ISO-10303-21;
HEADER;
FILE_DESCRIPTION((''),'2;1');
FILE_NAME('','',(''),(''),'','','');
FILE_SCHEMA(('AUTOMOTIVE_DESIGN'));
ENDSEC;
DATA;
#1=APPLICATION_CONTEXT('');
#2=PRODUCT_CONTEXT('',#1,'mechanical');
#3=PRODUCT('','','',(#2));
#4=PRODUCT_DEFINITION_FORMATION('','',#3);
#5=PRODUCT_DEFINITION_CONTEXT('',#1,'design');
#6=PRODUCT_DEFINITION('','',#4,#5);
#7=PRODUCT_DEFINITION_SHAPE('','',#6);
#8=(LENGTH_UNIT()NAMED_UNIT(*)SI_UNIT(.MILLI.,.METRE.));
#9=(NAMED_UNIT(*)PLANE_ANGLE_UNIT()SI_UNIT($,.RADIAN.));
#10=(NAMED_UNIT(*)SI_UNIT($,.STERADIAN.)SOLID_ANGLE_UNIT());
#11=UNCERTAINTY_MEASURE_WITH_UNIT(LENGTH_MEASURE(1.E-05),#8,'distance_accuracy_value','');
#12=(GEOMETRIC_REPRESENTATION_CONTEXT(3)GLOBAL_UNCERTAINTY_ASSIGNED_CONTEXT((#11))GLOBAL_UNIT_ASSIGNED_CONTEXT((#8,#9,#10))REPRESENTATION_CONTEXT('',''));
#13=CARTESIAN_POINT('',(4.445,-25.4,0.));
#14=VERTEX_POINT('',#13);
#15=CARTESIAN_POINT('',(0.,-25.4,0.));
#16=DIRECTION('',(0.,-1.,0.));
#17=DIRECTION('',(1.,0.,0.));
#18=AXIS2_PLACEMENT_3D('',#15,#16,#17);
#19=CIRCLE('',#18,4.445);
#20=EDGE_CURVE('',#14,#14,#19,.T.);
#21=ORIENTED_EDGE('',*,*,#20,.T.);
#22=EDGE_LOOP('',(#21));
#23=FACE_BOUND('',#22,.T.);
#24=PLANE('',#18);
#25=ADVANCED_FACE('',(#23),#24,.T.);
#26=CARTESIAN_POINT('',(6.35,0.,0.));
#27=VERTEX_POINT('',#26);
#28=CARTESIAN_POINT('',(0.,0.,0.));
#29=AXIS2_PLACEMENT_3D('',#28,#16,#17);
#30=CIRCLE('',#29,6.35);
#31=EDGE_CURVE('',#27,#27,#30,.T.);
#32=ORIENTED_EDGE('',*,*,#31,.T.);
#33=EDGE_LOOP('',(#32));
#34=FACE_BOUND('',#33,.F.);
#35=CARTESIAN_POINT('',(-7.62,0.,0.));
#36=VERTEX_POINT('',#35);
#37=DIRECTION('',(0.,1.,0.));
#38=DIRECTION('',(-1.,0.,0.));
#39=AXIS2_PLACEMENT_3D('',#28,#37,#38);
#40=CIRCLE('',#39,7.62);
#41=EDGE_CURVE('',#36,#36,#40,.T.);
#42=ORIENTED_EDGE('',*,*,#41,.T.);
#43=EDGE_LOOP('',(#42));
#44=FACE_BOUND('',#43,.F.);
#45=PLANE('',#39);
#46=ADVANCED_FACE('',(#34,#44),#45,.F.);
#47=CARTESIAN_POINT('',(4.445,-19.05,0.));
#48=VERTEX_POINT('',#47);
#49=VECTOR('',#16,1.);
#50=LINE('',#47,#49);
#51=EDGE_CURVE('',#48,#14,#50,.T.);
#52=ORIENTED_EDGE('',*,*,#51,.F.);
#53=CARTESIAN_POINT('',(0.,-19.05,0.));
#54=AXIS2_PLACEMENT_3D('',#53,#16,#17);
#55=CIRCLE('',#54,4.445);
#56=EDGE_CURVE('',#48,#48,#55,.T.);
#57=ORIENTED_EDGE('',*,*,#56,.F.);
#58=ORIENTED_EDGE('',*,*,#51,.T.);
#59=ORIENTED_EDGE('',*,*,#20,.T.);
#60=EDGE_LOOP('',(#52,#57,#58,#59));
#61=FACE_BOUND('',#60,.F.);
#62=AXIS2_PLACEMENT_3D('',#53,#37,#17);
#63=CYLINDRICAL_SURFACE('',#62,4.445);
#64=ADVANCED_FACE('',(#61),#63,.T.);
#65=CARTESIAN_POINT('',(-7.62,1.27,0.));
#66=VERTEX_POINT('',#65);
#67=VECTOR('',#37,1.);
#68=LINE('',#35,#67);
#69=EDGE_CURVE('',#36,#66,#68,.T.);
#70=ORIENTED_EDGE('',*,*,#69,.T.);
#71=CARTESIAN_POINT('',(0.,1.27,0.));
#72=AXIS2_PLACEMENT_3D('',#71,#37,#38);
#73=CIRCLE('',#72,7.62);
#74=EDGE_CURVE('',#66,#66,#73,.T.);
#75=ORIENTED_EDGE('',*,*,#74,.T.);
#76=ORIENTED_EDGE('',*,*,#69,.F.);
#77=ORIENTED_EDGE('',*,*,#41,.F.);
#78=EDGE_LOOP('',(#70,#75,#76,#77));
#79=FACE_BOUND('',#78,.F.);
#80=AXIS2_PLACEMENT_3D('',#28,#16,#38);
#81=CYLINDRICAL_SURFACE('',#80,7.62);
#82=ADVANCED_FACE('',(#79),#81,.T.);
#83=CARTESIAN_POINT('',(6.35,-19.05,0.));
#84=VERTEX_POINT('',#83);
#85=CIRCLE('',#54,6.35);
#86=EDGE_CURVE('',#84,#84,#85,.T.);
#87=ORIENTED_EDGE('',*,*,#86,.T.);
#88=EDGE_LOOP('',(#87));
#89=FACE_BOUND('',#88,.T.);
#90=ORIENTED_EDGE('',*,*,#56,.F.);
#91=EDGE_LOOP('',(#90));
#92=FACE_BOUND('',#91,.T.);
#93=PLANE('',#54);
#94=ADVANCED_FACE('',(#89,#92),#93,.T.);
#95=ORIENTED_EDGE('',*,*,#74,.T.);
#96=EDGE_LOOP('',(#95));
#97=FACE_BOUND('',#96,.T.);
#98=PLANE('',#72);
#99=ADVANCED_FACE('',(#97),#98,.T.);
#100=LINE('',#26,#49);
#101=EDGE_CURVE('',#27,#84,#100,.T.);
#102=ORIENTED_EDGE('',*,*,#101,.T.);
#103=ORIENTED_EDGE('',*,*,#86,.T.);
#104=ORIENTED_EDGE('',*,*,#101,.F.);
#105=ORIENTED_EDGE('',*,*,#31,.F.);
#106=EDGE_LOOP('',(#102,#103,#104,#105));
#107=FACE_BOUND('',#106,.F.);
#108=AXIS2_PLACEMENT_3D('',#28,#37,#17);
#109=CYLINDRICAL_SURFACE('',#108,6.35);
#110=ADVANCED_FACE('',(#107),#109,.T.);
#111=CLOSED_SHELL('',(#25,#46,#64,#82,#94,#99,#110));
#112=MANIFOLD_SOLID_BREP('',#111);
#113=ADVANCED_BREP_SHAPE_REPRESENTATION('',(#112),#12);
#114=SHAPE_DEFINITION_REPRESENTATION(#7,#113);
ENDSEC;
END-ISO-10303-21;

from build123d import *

# Parameters (mm, degrees)
F0_R     = 6.35
F1_DEPTH = 19.05
F2_R     = 7.62
F3_DEPTH = 1.27
F4_R     = 4.445
F5_DEPTH = 6.35


with BuildPart() as f1:
    # F0 (on Front) → F1 (new body)
    with BuildSketch(Plane.XZ):
        Circle(F0_R)
    extrude(amount=F1_DEPTH)

    # F2 (on face) → F3 (join)
    with BuildSketch(Plane(origin=(0, 0, 0), x_dir=(-1, 0, 0), z_dir=(0, 1, 0))):
        Circle(F2_R)
    extrude(amount=F3_DEPTH)

    # F4 (on face) → F5 (join)
    with BuildSketch(Plane.XZ.offset(19.05)):
        Circle(F4_R)
    extrude(amount=F5_DEPTH)


solid = f1.part
